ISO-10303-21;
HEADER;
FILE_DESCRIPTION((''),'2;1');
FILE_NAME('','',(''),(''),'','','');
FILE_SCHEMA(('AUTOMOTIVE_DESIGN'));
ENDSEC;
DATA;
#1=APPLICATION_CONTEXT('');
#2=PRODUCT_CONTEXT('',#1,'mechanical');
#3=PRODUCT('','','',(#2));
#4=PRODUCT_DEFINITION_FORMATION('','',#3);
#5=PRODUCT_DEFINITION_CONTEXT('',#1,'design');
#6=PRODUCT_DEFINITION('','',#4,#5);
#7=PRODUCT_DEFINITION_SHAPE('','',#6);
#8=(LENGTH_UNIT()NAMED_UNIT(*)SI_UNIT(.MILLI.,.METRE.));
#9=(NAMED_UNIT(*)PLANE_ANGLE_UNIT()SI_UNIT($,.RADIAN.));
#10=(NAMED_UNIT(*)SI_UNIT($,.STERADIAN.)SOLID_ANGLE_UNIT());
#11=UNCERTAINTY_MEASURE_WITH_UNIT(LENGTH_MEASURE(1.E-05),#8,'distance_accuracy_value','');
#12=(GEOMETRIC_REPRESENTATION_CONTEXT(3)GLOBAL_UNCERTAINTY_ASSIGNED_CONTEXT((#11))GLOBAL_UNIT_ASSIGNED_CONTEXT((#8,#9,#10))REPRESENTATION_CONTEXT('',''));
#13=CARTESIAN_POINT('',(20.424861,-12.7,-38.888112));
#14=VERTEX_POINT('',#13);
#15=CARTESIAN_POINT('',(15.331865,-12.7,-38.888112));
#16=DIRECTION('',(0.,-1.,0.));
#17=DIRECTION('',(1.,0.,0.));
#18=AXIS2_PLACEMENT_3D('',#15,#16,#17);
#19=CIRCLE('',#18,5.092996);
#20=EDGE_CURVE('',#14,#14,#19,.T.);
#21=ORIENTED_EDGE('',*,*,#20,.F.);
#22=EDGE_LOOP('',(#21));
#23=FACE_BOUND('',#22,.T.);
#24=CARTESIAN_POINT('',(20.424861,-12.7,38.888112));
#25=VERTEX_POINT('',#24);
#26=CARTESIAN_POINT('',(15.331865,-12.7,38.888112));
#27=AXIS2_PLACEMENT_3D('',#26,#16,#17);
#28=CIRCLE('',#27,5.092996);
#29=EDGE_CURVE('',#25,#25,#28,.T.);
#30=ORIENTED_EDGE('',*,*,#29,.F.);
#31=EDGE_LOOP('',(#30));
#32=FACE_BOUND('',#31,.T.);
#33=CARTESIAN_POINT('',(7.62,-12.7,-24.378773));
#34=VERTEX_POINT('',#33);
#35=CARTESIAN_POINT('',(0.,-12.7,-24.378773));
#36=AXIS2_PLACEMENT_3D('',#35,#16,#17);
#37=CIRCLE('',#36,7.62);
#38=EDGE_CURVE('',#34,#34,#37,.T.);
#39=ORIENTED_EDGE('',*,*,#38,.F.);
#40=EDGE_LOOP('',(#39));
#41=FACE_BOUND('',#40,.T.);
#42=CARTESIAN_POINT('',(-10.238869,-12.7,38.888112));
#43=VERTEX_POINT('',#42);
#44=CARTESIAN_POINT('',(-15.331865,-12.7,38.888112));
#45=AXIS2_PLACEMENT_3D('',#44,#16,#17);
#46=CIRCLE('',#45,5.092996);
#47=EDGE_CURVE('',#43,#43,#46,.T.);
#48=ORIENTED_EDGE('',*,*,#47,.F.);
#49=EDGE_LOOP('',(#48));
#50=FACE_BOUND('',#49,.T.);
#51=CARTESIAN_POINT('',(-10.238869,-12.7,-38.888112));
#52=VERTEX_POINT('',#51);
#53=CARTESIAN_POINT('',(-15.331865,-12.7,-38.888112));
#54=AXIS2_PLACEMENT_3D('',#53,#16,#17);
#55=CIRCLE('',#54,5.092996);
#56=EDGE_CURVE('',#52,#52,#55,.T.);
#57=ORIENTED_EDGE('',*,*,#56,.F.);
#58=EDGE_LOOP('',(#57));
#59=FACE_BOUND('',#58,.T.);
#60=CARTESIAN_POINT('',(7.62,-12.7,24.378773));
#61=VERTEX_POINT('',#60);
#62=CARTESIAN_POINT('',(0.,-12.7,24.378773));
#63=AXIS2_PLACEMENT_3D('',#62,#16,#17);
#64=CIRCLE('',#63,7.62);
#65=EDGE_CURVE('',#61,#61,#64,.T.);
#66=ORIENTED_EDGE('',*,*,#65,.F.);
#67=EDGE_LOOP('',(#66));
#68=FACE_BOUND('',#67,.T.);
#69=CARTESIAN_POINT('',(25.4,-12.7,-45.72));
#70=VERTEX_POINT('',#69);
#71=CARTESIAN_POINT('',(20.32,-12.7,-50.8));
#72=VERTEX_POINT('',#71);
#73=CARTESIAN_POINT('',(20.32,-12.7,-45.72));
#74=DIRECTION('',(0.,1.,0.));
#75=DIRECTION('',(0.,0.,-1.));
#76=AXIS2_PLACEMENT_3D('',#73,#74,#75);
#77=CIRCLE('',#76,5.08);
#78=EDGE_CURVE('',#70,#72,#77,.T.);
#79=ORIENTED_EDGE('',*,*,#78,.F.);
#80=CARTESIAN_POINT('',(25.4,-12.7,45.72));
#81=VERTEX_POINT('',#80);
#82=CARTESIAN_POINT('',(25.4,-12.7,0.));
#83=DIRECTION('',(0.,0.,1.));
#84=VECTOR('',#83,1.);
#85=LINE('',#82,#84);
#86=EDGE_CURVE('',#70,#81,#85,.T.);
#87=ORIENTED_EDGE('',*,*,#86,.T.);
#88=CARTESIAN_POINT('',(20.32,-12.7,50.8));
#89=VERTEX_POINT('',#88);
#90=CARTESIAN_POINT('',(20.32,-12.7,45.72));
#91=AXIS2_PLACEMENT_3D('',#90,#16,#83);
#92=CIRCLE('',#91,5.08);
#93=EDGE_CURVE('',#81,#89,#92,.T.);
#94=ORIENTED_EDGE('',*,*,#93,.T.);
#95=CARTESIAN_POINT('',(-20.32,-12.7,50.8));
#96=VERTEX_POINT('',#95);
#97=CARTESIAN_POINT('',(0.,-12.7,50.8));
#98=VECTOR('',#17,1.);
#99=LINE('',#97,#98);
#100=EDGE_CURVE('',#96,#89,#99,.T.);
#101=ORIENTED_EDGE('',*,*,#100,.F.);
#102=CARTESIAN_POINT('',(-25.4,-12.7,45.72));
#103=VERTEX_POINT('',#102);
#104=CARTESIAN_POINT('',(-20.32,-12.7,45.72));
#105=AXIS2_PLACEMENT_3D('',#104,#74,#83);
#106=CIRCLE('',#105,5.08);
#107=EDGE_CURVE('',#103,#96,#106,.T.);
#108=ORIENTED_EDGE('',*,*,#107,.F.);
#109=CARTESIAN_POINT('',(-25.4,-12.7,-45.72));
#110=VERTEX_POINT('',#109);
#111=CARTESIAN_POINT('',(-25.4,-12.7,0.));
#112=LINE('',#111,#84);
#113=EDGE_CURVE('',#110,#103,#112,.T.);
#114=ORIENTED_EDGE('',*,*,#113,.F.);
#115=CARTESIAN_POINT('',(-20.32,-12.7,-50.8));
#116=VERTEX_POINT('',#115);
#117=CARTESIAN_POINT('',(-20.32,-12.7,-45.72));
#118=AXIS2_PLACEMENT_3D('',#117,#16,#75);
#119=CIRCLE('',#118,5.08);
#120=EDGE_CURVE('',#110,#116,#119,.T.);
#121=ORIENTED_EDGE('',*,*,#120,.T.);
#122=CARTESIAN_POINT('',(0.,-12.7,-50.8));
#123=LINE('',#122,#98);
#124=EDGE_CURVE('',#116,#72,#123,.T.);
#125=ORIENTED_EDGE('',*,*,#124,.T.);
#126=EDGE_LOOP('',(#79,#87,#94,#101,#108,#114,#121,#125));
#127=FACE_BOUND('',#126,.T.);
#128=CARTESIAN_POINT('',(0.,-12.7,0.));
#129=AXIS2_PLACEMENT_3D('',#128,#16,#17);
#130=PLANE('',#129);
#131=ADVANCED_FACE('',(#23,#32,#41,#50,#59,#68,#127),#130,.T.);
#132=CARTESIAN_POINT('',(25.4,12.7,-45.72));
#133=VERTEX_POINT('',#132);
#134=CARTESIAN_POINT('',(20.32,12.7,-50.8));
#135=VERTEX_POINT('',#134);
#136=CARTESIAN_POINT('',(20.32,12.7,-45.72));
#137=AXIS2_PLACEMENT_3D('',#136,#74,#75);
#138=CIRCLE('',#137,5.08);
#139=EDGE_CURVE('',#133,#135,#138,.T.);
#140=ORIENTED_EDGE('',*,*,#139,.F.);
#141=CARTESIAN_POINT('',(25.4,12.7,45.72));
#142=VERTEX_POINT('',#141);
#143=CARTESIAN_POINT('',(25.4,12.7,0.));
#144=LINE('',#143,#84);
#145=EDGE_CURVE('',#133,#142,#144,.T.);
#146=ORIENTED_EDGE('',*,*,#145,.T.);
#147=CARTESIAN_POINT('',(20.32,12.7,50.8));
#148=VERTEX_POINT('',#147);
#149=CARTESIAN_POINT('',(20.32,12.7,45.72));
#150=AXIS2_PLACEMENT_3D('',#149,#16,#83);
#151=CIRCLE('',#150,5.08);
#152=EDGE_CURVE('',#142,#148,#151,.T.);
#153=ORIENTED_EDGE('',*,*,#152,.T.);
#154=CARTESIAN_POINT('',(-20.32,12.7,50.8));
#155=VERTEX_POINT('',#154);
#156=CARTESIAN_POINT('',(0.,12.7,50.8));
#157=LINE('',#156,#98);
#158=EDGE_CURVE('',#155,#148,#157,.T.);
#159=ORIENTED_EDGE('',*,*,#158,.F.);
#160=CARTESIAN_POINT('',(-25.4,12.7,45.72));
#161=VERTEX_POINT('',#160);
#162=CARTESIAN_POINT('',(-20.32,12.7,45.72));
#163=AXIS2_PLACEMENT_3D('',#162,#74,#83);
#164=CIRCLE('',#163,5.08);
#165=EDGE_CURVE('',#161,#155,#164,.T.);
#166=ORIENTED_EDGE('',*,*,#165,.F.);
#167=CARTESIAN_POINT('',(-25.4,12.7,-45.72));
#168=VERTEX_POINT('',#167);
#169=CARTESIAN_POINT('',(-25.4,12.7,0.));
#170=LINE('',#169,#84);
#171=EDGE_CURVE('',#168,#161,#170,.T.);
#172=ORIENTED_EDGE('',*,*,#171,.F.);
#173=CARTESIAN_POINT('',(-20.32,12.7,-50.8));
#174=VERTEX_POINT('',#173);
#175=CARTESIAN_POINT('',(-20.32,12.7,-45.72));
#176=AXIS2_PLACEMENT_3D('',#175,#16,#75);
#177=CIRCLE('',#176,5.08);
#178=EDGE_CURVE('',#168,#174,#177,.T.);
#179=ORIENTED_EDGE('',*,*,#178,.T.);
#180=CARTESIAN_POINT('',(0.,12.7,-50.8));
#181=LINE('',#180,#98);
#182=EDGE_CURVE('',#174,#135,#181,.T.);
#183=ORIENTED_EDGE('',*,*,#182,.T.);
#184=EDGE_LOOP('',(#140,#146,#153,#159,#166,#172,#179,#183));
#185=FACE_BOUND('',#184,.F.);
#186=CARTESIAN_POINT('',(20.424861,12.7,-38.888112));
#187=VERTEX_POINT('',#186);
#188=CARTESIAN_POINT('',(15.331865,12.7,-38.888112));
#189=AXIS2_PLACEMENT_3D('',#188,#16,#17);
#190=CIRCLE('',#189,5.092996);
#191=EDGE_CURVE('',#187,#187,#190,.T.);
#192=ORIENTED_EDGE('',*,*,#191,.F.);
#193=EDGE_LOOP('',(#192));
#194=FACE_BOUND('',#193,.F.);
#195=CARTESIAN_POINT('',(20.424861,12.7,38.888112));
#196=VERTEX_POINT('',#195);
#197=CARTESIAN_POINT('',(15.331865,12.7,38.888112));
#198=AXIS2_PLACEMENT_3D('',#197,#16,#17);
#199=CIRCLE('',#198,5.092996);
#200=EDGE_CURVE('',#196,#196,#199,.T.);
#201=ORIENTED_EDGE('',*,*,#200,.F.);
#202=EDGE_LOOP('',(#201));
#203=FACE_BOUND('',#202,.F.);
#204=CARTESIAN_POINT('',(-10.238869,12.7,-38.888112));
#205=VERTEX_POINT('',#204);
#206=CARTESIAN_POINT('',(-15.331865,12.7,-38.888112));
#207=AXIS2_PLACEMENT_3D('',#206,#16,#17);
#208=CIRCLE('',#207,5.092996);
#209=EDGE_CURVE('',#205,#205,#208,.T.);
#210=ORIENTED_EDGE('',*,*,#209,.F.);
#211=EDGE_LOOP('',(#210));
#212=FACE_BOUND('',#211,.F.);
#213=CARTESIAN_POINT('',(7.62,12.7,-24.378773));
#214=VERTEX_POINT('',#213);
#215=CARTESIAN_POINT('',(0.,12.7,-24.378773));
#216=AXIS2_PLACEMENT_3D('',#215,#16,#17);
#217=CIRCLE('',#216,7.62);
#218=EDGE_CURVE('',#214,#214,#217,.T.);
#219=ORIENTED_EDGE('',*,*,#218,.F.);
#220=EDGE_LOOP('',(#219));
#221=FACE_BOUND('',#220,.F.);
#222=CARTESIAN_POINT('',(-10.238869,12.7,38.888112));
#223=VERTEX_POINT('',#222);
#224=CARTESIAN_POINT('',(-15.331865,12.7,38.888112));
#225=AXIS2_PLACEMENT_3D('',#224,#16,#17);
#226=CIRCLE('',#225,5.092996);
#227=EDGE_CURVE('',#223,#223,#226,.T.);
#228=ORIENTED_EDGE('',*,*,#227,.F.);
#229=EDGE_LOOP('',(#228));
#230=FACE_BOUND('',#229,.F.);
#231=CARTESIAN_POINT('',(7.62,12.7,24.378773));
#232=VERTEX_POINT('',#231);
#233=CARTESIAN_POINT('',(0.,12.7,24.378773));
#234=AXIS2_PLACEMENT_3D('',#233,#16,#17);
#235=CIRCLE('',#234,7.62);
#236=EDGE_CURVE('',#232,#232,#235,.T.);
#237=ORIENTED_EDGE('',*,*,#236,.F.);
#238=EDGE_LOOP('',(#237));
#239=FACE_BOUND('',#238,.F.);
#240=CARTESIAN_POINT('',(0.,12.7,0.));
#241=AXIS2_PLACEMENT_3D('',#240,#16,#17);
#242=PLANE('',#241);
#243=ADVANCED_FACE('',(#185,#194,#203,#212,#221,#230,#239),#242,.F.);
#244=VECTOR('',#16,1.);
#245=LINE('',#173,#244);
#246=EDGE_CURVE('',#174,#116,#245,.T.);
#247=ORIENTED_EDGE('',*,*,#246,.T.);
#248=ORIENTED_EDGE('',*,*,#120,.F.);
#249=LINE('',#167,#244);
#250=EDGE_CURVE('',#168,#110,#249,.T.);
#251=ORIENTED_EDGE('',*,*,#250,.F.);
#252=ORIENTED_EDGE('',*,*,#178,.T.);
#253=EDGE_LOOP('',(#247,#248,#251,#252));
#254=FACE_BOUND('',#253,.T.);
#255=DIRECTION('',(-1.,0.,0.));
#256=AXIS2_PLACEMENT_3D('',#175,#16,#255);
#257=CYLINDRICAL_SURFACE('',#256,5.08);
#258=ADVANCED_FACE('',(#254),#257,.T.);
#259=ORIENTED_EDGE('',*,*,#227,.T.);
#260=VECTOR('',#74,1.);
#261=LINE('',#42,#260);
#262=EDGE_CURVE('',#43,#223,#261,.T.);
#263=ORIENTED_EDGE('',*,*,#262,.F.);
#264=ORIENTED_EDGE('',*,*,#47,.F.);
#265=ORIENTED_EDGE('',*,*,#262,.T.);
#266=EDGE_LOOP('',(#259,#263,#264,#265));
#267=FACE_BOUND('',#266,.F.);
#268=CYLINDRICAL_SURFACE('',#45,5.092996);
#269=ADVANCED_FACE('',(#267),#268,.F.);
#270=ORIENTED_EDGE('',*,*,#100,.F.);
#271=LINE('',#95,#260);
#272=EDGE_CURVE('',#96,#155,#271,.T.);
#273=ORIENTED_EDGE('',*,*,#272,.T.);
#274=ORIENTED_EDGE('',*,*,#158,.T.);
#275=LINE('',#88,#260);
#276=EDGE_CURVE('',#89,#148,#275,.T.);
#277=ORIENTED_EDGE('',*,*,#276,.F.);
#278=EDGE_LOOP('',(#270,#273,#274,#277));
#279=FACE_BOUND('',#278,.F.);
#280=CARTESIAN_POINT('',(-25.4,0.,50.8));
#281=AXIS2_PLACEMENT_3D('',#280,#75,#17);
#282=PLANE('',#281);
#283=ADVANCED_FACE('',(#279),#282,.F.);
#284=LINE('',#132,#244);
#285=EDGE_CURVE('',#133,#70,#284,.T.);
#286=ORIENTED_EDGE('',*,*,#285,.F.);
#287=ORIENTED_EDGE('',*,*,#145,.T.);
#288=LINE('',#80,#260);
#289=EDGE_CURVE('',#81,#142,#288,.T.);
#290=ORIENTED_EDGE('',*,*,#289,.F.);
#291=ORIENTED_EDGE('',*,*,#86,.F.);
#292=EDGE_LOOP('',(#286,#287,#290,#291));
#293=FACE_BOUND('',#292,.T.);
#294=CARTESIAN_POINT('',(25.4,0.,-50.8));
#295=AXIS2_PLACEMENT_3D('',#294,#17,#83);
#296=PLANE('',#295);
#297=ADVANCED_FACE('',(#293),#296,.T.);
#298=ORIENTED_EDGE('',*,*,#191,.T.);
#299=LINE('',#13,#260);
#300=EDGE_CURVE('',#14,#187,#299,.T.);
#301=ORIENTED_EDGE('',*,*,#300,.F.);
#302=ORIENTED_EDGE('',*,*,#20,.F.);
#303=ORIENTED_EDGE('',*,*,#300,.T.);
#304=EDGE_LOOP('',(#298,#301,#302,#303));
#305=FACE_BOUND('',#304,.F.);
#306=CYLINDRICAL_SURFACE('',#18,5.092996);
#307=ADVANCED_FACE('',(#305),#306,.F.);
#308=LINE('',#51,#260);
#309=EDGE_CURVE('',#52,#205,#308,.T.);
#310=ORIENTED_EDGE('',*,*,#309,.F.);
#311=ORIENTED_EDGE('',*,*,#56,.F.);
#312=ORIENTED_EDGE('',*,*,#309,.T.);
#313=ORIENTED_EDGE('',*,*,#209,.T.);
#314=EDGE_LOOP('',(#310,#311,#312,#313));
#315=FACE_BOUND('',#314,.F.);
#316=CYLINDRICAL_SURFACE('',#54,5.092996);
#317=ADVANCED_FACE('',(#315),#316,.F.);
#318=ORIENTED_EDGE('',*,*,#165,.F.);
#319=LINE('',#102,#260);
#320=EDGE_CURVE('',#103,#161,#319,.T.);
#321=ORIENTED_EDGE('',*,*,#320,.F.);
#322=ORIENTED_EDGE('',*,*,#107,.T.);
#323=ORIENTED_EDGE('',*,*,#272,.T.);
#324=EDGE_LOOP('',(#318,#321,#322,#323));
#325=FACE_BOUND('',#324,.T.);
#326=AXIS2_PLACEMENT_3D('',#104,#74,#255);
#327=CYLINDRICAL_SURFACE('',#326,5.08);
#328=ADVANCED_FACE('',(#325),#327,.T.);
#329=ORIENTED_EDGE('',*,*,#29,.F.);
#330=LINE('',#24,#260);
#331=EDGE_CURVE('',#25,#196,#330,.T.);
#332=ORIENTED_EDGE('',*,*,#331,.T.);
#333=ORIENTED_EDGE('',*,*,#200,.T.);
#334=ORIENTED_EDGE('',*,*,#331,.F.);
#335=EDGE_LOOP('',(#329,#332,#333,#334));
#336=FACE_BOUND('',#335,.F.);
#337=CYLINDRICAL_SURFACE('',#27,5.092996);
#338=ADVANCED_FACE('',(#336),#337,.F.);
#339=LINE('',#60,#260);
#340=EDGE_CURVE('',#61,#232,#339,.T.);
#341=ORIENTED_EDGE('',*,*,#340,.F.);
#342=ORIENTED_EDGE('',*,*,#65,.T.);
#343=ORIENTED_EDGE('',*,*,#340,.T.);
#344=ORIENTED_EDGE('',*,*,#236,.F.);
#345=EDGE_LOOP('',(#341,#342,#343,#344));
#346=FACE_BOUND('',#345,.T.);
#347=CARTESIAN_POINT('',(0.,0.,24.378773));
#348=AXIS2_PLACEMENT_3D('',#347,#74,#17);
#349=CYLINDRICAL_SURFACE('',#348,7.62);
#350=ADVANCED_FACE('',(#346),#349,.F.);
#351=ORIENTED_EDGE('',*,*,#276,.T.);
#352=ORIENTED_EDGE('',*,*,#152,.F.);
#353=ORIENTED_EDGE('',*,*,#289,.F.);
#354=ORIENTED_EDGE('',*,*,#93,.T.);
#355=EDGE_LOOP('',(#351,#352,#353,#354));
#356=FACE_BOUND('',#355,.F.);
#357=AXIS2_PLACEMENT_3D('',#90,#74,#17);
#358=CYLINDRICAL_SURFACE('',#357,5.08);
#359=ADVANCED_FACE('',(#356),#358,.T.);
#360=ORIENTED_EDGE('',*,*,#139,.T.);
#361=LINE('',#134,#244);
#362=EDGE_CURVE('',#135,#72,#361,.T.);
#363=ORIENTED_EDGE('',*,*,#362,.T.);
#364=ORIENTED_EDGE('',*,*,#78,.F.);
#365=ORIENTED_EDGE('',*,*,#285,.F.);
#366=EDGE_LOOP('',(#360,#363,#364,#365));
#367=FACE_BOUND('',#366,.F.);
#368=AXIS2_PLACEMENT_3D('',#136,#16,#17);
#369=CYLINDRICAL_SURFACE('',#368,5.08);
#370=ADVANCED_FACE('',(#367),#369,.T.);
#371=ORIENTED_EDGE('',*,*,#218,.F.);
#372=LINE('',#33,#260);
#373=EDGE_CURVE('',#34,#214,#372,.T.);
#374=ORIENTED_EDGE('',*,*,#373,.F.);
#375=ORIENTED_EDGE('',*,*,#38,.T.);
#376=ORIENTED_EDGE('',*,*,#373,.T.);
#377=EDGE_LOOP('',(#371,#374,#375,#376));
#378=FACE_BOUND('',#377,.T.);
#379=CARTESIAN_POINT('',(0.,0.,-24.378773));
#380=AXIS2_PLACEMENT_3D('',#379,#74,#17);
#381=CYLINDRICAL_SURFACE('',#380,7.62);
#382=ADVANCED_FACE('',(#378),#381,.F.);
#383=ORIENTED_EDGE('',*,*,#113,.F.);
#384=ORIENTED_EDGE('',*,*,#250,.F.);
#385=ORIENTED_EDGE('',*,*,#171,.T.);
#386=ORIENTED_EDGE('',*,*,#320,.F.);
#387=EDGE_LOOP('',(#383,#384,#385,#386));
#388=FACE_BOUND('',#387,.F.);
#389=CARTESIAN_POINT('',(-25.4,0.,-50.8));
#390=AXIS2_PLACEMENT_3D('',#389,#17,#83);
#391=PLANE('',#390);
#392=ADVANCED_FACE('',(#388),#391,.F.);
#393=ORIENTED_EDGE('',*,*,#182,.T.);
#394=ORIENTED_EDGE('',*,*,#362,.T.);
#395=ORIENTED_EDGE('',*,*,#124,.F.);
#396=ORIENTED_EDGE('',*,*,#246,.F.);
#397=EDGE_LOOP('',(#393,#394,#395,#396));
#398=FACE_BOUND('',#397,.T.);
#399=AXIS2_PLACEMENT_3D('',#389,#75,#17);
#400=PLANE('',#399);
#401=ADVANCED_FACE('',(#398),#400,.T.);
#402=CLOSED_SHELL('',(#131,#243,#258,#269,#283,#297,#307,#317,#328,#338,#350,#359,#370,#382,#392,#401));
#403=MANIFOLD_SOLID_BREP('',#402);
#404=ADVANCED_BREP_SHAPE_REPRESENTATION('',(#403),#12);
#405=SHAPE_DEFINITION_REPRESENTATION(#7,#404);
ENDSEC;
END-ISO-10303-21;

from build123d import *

# Parameters (mm, degrees)
F0_W     = 50.8
F0_H     = 101.6
F0_R     = 7.62
F1_DEPTH = 12.7
F2_R     = 5.08
F3_R     = 5.092996
F4_DEPTH = 25.4


with BuildPart() as f1:
    # F0 (on Front) → F1 (new body, symmetric)
    with BuildSketch(Plane.XZ):
        Rectangle(F0_W, F0_H)
        with Locations((0, -24.378773)):
            Circle(F0_R, mode=Mode.SUBTRACT)
        with Locations((0, 24.378773)):
            Circle(F0_R, mode=Mode.SUBTRACT)
    extrude(amount=F1_DEPTH, both=True)

    # F2
    f2_edges = [f1.edges().sort_by_distance(p)[0] for p in [
        (25.4, 0, 50.8),
        (-25.4, 0, 50.8),
        (25.4, 0, -50.8),
        (-25.4, 0, -50.8),
    ]]
    fillet(f2_edges, radius=F2_R)

    # F3 (on face) → F4 (cut, through all)
    with BuildSketch(Plane.XZ.offset(12.7)):
        with Locations((-15.331865, 38.888112)):
            Circle(F3_R)
        with Locations((15.331865, 38.888112)):
            Circle(F3_R)
        with Locations((15.331865, -38.888112)):
            Circle(F3_R)
        with Locations((-15.331865, -38.888112)):
            Circle(F3_R)
    extrude(amount=-F4_DEPTH, mode=Mode.SUBTRACT)


solid = f1.part
